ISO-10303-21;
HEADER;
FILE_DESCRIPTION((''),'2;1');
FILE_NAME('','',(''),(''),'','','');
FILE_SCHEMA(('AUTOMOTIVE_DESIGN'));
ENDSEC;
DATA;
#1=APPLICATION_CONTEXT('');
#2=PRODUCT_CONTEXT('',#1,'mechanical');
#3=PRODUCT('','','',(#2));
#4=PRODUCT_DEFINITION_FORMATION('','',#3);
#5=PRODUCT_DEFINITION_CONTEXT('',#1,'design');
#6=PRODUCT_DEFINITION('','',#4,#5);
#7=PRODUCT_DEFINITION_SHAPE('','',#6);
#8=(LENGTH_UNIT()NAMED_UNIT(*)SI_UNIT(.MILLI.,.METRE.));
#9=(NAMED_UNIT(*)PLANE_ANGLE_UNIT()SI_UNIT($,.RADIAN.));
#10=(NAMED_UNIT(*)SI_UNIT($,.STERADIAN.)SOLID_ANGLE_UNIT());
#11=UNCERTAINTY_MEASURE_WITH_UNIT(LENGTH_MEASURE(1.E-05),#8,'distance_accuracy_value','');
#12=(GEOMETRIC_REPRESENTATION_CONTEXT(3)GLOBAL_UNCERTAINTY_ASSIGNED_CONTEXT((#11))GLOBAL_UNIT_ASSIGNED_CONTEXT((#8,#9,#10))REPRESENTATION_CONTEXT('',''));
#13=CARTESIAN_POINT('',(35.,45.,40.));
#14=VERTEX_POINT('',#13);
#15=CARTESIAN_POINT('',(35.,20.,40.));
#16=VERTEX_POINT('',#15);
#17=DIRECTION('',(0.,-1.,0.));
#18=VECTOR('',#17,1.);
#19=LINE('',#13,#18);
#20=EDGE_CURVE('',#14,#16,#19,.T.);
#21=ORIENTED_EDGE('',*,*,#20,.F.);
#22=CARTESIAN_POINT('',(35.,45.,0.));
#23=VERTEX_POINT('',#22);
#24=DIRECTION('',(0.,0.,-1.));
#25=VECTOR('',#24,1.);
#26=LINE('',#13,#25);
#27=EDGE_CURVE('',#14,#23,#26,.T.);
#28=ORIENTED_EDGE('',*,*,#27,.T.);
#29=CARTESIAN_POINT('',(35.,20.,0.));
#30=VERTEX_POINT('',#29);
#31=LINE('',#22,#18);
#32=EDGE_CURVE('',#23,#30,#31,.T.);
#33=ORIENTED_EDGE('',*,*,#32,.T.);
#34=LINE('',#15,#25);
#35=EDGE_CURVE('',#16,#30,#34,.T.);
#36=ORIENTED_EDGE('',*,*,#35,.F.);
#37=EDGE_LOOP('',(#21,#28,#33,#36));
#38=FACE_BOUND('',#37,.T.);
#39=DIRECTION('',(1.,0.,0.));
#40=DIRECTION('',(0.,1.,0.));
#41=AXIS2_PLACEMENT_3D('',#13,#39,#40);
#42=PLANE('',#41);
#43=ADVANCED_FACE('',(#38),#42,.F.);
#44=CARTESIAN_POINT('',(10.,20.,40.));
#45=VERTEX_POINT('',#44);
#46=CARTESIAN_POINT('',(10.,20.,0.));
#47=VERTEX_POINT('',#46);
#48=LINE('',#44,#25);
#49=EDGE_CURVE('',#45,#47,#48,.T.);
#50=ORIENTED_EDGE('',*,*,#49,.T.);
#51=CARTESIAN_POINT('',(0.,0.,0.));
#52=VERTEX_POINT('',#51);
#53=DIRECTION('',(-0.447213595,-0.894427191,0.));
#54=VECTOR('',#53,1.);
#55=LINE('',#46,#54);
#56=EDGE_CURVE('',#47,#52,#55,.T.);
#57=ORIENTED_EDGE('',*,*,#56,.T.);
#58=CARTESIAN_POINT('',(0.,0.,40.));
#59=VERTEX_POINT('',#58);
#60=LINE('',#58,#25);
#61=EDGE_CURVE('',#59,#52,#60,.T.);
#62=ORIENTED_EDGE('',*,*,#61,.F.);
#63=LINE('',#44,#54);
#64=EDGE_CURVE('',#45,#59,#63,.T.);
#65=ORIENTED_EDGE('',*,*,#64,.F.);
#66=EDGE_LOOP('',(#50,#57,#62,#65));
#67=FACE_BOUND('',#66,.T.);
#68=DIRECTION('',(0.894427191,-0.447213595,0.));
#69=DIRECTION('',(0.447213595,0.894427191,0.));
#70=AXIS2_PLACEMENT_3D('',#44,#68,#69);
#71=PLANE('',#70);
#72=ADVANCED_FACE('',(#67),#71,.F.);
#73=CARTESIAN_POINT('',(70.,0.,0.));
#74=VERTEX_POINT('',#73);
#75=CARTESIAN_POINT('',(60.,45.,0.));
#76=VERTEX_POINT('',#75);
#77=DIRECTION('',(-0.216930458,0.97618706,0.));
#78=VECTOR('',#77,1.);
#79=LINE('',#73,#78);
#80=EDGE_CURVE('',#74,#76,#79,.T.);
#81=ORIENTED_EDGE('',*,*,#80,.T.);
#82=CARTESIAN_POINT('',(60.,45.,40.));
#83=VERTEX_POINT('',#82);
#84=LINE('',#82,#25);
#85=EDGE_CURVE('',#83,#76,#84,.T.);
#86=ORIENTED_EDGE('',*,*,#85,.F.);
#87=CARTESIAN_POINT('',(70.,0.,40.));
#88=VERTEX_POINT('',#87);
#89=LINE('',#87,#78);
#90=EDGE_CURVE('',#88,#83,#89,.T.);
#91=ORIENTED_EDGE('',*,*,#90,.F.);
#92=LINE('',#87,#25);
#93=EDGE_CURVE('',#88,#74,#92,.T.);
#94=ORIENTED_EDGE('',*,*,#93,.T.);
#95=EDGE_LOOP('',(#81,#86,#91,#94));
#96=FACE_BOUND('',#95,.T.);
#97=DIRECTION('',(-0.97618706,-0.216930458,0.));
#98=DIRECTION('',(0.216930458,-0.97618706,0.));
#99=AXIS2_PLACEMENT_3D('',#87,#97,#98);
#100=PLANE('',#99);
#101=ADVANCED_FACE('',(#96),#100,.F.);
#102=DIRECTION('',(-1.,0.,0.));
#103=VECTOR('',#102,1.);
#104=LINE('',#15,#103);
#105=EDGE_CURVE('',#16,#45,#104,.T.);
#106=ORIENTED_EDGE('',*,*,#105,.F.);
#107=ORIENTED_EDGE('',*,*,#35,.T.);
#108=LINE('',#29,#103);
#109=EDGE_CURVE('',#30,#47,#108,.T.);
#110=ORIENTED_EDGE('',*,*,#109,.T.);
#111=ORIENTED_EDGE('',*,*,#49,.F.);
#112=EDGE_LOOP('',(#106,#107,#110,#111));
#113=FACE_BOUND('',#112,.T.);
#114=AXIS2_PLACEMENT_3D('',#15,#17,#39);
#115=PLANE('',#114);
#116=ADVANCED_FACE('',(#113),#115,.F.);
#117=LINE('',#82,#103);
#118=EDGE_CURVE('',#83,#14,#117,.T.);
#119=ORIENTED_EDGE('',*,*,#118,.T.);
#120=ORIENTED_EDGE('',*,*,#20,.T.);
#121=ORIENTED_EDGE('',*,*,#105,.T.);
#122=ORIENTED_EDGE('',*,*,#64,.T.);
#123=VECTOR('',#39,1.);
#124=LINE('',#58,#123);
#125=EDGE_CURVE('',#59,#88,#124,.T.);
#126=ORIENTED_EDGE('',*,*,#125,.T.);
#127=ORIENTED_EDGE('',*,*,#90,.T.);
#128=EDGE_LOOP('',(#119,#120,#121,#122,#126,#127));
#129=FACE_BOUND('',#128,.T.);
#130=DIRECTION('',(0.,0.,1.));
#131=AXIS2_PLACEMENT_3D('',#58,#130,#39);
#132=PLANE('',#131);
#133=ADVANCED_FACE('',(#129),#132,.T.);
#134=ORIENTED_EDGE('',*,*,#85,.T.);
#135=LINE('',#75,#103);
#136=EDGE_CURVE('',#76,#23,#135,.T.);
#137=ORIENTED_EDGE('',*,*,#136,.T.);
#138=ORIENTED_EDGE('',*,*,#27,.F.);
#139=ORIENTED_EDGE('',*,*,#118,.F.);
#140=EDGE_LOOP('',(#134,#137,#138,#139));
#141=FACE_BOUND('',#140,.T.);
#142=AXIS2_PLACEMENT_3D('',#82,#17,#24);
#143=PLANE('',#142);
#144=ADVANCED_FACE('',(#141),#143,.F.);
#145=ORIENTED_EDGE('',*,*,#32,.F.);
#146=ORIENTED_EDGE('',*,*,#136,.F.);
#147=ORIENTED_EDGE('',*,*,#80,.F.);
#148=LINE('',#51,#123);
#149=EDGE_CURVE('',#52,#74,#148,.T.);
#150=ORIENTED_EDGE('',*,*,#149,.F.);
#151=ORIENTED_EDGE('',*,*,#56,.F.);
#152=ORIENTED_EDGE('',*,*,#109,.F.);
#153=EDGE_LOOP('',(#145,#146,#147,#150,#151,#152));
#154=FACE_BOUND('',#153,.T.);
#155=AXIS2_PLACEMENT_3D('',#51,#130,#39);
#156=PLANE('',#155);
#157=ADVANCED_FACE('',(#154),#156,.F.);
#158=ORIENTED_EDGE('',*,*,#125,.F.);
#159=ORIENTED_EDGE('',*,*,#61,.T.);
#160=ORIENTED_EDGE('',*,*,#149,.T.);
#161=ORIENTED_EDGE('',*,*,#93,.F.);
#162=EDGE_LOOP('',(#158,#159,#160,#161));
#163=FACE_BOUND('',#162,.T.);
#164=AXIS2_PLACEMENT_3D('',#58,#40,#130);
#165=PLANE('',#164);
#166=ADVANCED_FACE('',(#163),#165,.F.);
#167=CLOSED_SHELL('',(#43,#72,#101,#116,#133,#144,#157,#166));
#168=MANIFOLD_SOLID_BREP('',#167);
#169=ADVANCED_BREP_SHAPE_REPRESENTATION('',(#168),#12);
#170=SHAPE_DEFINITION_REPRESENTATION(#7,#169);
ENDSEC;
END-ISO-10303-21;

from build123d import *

# Parameters (mm, degrees)
BOSS_EXTRUDE1_DEPTH = 40


with BuildPart() as part:
    # Sketch2 → Boss-Extrude1 (new body)
    with BuildSketch(Plane.XY):
        Polygon((0, 0), (70, 0), (60, 45), (35, 45), (35, 20), (10, 20), align=None)
    extrude(amount=BOSS_EXTRUDE1_DEPTH)


solid = part.part
